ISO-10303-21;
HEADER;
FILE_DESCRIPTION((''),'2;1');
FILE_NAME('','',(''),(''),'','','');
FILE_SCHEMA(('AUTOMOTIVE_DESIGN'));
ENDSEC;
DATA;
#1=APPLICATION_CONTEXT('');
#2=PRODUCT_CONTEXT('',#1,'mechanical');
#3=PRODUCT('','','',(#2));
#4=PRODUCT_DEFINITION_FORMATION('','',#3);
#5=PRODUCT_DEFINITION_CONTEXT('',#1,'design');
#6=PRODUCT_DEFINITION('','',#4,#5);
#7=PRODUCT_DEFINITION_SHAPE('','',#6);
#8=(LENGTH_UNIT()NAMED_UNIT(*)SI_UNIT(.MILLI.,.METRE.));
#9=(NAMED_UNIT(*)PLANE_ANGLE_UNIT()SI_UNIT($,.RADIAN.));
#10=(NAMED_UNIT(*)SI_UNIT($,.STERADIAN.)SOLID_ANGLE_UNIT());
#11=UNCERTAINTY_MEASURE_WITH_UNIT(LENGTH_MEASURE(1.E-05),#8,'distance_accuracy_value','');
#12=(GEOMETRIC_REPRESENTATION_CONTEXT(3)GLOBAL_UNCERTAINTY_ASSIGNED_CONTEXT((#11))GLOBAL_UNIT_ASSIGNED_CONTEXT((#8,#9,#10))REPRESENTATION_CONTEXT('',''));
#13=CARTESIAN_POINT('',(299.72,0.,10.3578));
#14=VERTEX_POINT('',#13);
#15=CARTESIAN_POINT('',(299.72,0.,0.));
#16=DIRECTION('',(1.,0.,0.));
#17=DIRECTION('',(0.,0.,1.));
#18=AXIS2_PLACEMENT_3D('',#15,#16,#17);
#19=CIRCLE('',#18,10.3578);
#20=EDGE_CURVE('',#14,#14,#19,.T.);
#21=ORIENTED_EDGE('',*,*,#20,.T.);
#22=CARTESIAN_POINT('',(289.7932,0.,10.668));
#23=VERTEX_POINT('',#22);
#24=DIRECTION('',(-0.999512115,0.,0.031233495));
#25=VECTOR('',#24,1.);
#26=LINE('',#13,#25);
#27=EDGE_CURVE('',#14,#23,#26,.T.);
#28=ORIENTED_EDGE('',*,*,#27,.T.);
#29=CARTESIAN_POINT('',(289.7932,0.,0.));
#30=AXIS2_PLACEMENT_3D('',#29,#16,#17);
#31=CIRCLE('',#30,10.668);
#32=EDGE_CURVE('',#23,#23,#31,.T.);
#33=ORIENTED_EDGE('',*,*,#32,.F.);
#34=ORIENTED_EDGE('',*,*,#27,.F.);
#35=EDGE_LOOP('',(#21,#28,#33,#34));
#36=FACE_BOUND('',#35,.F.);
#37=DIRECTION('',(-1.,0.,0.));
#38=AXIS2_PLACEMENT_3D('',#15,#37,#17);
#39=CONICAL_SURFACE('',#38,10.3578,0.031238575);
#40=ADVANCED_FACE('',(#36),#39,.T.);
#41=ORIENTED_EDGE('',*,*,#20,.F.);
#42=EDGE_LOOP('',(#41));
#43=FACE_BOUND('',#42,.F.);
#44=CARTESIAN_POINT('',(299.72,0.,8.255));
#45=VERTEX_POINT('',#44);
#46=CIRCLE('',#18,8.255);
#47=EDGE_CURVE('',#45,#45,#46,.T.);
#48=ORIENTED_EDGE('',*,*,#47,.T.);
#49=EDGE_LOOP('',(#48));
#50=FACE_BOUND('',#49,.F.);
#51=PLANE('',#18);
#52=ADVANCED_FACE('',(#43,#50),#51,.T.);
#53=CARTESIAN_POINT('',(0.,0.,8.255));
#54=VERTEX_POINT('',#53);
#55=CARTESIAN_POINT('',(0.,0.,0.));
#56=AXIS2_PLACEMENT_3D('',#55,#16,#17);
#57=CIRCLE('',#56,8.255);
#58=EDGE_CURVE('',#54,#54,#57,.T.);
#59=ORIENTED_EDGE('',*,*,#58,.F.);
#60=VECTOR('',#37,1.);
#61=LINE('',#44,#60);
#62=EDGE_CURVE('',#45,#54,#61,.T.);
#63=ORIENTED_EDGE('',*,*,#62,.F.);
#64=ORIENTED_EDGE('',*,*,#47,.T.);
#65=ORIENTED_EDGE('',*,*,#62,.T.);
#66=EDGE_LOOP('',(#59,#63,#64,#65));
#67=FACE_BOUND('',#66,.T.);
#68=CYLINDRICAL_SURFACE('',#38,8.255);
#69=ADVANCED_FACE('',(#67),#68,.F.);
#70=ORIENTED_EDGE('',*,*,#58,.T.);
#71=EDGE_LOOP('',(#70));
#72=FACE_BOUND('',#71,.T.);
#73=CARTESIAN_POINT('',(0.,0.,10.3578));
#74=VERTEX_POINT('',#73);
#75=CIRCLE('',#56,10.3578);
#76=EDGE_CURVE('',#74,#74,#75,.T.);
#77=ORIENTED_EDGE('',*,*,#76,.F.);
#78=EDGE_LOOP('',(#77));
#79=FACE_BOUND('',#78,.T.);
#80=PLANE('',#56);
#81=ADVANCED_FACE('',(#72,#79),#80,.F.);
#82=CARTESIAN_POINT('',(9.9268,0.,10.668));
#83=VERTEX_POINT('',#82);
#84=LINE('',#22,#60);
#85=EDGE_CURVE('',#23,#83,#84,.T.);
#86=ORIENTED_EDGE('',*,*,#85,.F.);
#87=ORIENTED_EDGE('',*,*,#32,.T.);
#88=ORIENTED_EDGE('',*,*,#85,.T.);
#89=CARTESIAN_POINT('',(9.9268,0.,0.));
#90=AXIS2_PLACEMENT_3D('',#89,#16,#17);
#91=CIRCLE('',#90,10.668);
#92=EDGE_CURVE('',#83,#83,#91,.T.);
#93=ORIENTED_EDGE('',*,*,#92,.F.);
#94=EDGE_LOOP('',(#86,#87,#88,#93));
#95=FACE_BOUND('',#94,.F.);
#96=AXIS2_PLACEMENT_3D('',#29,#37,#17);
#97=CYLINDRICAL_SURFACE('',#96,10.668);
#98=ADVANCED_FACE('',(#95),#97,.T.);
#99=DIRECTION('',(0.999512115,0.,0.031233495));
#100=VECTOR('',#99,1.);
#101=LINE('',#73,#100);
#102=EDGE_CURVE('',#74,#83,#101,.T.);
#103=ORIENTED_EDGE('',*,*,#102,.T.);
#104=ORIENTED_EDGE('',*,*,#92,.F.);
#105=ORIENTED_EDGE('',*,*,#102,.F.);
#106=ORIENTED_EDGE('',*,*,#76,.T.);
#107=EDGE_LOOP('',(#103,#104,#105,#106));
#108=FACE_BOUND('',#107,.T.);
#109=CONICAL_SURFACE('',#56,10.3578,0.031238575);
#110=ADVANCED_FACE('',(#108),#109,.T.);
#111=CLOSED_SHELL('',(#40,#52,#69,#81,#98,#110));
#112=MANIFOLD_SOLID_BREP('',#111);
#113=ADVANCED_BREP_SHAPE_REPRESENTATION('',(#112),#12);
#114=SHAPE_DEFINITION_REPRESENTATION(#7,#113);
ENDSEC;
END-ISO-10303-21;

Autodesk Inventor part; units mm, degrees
ref_plane "YZ Plane" through (0, 0, 0) normal (1, 0, 0) x (0, 1, 0)
ref_plane "XZ Plane" through (0, 0, 0) normal (0, 1, 0) x (-1, 0, 0)
ref_plane "XY Plane" through (0, 0, 0) normal (0, 0, 1) x (1, 0, 0)
sketch "Sketch1" plane through (0, 0, 0) normal (0, 1, 0) x (-1, 0, 0)
  line L0 (0, 0) -> (-299.72, 0)
  line L1 (-299.72, 0) -> (-299.72, 8.255) construction
  line L2 (-299.72, 8.255) -> (-299.72, 10.3578)
  line L3 (-299.72, 10.3578) -> (-289.7932, 10.668)
  line L4 (-289.7932, 10.668) -> (-9.9268, 10.668)
  line L5 (-149.86, 0) -> (-149.86, 10.668) construction
  line L6 (-299.72, 8.255) -> (0, 8.255)
  line L7 (0, 0) -> (0, 8.255) construction
  line L8 (0, 8.255) -> (0, 10.3578)
  line L9 (0, 10.3578) -> (-9.9268, 10.668)
  line L10 (-286.164, 10.7814) -> (-286.164, 0) construction
  line L11 (-13.556, 10.7814) -> (-13.556, 0) construction
  line L12 (-289.7932, 10.668) -> (-286.164, 10.7814) construction
  line L13 (-289.7932, 10.668) -> (-289.7932, 0) construction
  line L14 (-9.9268, 10.668) -> (-13.556, 10.7814) construction
  line L15 (-9.9268, 10.668) -> (-9.9268, 0) construction
  dimension "d0" = 21.336
  dimension "d1" = 1.79
  dimension "d2" = 16.51
  dimension "d3" = 299.72
  dimension "d4" = 13.556
  dimension "d5" = 21.5628
revolve "Revolution1" add sketch "Sketch1" angle 360 about axis through (0, 0, 0) along (1, 0, 0)
thread "Thread1" size "1/2" designation "1/2 - 14 NPT" standard "NPT" full length
thread "Thread2" size "1/2" designation "1/2 - 14 NPT" standard "NPT" full length
equation "\"d0\" = OD"
equation "\"d2\" = ID"
equation "\"d3\" = L"
equation "\"d4\" = L2"
equation "\"d5\" = D2"
equation "\"OD\" = 21.336"
equation "\"t\" = 2.413"
equation "\"L\" = PL"
equation "\"L4\" = 19.8501"
equation "\"ID\" = 16.51"
equation "\"PL\" = 299.72"
equation "\"D2\" = 21.56282"
equation "\"L2\" = 13.55598"
equation "\"Size_Designation\" = 1.2345"
equation "\"PLmin\" = 2 * L2"
properties material "Steel, Wrought"
